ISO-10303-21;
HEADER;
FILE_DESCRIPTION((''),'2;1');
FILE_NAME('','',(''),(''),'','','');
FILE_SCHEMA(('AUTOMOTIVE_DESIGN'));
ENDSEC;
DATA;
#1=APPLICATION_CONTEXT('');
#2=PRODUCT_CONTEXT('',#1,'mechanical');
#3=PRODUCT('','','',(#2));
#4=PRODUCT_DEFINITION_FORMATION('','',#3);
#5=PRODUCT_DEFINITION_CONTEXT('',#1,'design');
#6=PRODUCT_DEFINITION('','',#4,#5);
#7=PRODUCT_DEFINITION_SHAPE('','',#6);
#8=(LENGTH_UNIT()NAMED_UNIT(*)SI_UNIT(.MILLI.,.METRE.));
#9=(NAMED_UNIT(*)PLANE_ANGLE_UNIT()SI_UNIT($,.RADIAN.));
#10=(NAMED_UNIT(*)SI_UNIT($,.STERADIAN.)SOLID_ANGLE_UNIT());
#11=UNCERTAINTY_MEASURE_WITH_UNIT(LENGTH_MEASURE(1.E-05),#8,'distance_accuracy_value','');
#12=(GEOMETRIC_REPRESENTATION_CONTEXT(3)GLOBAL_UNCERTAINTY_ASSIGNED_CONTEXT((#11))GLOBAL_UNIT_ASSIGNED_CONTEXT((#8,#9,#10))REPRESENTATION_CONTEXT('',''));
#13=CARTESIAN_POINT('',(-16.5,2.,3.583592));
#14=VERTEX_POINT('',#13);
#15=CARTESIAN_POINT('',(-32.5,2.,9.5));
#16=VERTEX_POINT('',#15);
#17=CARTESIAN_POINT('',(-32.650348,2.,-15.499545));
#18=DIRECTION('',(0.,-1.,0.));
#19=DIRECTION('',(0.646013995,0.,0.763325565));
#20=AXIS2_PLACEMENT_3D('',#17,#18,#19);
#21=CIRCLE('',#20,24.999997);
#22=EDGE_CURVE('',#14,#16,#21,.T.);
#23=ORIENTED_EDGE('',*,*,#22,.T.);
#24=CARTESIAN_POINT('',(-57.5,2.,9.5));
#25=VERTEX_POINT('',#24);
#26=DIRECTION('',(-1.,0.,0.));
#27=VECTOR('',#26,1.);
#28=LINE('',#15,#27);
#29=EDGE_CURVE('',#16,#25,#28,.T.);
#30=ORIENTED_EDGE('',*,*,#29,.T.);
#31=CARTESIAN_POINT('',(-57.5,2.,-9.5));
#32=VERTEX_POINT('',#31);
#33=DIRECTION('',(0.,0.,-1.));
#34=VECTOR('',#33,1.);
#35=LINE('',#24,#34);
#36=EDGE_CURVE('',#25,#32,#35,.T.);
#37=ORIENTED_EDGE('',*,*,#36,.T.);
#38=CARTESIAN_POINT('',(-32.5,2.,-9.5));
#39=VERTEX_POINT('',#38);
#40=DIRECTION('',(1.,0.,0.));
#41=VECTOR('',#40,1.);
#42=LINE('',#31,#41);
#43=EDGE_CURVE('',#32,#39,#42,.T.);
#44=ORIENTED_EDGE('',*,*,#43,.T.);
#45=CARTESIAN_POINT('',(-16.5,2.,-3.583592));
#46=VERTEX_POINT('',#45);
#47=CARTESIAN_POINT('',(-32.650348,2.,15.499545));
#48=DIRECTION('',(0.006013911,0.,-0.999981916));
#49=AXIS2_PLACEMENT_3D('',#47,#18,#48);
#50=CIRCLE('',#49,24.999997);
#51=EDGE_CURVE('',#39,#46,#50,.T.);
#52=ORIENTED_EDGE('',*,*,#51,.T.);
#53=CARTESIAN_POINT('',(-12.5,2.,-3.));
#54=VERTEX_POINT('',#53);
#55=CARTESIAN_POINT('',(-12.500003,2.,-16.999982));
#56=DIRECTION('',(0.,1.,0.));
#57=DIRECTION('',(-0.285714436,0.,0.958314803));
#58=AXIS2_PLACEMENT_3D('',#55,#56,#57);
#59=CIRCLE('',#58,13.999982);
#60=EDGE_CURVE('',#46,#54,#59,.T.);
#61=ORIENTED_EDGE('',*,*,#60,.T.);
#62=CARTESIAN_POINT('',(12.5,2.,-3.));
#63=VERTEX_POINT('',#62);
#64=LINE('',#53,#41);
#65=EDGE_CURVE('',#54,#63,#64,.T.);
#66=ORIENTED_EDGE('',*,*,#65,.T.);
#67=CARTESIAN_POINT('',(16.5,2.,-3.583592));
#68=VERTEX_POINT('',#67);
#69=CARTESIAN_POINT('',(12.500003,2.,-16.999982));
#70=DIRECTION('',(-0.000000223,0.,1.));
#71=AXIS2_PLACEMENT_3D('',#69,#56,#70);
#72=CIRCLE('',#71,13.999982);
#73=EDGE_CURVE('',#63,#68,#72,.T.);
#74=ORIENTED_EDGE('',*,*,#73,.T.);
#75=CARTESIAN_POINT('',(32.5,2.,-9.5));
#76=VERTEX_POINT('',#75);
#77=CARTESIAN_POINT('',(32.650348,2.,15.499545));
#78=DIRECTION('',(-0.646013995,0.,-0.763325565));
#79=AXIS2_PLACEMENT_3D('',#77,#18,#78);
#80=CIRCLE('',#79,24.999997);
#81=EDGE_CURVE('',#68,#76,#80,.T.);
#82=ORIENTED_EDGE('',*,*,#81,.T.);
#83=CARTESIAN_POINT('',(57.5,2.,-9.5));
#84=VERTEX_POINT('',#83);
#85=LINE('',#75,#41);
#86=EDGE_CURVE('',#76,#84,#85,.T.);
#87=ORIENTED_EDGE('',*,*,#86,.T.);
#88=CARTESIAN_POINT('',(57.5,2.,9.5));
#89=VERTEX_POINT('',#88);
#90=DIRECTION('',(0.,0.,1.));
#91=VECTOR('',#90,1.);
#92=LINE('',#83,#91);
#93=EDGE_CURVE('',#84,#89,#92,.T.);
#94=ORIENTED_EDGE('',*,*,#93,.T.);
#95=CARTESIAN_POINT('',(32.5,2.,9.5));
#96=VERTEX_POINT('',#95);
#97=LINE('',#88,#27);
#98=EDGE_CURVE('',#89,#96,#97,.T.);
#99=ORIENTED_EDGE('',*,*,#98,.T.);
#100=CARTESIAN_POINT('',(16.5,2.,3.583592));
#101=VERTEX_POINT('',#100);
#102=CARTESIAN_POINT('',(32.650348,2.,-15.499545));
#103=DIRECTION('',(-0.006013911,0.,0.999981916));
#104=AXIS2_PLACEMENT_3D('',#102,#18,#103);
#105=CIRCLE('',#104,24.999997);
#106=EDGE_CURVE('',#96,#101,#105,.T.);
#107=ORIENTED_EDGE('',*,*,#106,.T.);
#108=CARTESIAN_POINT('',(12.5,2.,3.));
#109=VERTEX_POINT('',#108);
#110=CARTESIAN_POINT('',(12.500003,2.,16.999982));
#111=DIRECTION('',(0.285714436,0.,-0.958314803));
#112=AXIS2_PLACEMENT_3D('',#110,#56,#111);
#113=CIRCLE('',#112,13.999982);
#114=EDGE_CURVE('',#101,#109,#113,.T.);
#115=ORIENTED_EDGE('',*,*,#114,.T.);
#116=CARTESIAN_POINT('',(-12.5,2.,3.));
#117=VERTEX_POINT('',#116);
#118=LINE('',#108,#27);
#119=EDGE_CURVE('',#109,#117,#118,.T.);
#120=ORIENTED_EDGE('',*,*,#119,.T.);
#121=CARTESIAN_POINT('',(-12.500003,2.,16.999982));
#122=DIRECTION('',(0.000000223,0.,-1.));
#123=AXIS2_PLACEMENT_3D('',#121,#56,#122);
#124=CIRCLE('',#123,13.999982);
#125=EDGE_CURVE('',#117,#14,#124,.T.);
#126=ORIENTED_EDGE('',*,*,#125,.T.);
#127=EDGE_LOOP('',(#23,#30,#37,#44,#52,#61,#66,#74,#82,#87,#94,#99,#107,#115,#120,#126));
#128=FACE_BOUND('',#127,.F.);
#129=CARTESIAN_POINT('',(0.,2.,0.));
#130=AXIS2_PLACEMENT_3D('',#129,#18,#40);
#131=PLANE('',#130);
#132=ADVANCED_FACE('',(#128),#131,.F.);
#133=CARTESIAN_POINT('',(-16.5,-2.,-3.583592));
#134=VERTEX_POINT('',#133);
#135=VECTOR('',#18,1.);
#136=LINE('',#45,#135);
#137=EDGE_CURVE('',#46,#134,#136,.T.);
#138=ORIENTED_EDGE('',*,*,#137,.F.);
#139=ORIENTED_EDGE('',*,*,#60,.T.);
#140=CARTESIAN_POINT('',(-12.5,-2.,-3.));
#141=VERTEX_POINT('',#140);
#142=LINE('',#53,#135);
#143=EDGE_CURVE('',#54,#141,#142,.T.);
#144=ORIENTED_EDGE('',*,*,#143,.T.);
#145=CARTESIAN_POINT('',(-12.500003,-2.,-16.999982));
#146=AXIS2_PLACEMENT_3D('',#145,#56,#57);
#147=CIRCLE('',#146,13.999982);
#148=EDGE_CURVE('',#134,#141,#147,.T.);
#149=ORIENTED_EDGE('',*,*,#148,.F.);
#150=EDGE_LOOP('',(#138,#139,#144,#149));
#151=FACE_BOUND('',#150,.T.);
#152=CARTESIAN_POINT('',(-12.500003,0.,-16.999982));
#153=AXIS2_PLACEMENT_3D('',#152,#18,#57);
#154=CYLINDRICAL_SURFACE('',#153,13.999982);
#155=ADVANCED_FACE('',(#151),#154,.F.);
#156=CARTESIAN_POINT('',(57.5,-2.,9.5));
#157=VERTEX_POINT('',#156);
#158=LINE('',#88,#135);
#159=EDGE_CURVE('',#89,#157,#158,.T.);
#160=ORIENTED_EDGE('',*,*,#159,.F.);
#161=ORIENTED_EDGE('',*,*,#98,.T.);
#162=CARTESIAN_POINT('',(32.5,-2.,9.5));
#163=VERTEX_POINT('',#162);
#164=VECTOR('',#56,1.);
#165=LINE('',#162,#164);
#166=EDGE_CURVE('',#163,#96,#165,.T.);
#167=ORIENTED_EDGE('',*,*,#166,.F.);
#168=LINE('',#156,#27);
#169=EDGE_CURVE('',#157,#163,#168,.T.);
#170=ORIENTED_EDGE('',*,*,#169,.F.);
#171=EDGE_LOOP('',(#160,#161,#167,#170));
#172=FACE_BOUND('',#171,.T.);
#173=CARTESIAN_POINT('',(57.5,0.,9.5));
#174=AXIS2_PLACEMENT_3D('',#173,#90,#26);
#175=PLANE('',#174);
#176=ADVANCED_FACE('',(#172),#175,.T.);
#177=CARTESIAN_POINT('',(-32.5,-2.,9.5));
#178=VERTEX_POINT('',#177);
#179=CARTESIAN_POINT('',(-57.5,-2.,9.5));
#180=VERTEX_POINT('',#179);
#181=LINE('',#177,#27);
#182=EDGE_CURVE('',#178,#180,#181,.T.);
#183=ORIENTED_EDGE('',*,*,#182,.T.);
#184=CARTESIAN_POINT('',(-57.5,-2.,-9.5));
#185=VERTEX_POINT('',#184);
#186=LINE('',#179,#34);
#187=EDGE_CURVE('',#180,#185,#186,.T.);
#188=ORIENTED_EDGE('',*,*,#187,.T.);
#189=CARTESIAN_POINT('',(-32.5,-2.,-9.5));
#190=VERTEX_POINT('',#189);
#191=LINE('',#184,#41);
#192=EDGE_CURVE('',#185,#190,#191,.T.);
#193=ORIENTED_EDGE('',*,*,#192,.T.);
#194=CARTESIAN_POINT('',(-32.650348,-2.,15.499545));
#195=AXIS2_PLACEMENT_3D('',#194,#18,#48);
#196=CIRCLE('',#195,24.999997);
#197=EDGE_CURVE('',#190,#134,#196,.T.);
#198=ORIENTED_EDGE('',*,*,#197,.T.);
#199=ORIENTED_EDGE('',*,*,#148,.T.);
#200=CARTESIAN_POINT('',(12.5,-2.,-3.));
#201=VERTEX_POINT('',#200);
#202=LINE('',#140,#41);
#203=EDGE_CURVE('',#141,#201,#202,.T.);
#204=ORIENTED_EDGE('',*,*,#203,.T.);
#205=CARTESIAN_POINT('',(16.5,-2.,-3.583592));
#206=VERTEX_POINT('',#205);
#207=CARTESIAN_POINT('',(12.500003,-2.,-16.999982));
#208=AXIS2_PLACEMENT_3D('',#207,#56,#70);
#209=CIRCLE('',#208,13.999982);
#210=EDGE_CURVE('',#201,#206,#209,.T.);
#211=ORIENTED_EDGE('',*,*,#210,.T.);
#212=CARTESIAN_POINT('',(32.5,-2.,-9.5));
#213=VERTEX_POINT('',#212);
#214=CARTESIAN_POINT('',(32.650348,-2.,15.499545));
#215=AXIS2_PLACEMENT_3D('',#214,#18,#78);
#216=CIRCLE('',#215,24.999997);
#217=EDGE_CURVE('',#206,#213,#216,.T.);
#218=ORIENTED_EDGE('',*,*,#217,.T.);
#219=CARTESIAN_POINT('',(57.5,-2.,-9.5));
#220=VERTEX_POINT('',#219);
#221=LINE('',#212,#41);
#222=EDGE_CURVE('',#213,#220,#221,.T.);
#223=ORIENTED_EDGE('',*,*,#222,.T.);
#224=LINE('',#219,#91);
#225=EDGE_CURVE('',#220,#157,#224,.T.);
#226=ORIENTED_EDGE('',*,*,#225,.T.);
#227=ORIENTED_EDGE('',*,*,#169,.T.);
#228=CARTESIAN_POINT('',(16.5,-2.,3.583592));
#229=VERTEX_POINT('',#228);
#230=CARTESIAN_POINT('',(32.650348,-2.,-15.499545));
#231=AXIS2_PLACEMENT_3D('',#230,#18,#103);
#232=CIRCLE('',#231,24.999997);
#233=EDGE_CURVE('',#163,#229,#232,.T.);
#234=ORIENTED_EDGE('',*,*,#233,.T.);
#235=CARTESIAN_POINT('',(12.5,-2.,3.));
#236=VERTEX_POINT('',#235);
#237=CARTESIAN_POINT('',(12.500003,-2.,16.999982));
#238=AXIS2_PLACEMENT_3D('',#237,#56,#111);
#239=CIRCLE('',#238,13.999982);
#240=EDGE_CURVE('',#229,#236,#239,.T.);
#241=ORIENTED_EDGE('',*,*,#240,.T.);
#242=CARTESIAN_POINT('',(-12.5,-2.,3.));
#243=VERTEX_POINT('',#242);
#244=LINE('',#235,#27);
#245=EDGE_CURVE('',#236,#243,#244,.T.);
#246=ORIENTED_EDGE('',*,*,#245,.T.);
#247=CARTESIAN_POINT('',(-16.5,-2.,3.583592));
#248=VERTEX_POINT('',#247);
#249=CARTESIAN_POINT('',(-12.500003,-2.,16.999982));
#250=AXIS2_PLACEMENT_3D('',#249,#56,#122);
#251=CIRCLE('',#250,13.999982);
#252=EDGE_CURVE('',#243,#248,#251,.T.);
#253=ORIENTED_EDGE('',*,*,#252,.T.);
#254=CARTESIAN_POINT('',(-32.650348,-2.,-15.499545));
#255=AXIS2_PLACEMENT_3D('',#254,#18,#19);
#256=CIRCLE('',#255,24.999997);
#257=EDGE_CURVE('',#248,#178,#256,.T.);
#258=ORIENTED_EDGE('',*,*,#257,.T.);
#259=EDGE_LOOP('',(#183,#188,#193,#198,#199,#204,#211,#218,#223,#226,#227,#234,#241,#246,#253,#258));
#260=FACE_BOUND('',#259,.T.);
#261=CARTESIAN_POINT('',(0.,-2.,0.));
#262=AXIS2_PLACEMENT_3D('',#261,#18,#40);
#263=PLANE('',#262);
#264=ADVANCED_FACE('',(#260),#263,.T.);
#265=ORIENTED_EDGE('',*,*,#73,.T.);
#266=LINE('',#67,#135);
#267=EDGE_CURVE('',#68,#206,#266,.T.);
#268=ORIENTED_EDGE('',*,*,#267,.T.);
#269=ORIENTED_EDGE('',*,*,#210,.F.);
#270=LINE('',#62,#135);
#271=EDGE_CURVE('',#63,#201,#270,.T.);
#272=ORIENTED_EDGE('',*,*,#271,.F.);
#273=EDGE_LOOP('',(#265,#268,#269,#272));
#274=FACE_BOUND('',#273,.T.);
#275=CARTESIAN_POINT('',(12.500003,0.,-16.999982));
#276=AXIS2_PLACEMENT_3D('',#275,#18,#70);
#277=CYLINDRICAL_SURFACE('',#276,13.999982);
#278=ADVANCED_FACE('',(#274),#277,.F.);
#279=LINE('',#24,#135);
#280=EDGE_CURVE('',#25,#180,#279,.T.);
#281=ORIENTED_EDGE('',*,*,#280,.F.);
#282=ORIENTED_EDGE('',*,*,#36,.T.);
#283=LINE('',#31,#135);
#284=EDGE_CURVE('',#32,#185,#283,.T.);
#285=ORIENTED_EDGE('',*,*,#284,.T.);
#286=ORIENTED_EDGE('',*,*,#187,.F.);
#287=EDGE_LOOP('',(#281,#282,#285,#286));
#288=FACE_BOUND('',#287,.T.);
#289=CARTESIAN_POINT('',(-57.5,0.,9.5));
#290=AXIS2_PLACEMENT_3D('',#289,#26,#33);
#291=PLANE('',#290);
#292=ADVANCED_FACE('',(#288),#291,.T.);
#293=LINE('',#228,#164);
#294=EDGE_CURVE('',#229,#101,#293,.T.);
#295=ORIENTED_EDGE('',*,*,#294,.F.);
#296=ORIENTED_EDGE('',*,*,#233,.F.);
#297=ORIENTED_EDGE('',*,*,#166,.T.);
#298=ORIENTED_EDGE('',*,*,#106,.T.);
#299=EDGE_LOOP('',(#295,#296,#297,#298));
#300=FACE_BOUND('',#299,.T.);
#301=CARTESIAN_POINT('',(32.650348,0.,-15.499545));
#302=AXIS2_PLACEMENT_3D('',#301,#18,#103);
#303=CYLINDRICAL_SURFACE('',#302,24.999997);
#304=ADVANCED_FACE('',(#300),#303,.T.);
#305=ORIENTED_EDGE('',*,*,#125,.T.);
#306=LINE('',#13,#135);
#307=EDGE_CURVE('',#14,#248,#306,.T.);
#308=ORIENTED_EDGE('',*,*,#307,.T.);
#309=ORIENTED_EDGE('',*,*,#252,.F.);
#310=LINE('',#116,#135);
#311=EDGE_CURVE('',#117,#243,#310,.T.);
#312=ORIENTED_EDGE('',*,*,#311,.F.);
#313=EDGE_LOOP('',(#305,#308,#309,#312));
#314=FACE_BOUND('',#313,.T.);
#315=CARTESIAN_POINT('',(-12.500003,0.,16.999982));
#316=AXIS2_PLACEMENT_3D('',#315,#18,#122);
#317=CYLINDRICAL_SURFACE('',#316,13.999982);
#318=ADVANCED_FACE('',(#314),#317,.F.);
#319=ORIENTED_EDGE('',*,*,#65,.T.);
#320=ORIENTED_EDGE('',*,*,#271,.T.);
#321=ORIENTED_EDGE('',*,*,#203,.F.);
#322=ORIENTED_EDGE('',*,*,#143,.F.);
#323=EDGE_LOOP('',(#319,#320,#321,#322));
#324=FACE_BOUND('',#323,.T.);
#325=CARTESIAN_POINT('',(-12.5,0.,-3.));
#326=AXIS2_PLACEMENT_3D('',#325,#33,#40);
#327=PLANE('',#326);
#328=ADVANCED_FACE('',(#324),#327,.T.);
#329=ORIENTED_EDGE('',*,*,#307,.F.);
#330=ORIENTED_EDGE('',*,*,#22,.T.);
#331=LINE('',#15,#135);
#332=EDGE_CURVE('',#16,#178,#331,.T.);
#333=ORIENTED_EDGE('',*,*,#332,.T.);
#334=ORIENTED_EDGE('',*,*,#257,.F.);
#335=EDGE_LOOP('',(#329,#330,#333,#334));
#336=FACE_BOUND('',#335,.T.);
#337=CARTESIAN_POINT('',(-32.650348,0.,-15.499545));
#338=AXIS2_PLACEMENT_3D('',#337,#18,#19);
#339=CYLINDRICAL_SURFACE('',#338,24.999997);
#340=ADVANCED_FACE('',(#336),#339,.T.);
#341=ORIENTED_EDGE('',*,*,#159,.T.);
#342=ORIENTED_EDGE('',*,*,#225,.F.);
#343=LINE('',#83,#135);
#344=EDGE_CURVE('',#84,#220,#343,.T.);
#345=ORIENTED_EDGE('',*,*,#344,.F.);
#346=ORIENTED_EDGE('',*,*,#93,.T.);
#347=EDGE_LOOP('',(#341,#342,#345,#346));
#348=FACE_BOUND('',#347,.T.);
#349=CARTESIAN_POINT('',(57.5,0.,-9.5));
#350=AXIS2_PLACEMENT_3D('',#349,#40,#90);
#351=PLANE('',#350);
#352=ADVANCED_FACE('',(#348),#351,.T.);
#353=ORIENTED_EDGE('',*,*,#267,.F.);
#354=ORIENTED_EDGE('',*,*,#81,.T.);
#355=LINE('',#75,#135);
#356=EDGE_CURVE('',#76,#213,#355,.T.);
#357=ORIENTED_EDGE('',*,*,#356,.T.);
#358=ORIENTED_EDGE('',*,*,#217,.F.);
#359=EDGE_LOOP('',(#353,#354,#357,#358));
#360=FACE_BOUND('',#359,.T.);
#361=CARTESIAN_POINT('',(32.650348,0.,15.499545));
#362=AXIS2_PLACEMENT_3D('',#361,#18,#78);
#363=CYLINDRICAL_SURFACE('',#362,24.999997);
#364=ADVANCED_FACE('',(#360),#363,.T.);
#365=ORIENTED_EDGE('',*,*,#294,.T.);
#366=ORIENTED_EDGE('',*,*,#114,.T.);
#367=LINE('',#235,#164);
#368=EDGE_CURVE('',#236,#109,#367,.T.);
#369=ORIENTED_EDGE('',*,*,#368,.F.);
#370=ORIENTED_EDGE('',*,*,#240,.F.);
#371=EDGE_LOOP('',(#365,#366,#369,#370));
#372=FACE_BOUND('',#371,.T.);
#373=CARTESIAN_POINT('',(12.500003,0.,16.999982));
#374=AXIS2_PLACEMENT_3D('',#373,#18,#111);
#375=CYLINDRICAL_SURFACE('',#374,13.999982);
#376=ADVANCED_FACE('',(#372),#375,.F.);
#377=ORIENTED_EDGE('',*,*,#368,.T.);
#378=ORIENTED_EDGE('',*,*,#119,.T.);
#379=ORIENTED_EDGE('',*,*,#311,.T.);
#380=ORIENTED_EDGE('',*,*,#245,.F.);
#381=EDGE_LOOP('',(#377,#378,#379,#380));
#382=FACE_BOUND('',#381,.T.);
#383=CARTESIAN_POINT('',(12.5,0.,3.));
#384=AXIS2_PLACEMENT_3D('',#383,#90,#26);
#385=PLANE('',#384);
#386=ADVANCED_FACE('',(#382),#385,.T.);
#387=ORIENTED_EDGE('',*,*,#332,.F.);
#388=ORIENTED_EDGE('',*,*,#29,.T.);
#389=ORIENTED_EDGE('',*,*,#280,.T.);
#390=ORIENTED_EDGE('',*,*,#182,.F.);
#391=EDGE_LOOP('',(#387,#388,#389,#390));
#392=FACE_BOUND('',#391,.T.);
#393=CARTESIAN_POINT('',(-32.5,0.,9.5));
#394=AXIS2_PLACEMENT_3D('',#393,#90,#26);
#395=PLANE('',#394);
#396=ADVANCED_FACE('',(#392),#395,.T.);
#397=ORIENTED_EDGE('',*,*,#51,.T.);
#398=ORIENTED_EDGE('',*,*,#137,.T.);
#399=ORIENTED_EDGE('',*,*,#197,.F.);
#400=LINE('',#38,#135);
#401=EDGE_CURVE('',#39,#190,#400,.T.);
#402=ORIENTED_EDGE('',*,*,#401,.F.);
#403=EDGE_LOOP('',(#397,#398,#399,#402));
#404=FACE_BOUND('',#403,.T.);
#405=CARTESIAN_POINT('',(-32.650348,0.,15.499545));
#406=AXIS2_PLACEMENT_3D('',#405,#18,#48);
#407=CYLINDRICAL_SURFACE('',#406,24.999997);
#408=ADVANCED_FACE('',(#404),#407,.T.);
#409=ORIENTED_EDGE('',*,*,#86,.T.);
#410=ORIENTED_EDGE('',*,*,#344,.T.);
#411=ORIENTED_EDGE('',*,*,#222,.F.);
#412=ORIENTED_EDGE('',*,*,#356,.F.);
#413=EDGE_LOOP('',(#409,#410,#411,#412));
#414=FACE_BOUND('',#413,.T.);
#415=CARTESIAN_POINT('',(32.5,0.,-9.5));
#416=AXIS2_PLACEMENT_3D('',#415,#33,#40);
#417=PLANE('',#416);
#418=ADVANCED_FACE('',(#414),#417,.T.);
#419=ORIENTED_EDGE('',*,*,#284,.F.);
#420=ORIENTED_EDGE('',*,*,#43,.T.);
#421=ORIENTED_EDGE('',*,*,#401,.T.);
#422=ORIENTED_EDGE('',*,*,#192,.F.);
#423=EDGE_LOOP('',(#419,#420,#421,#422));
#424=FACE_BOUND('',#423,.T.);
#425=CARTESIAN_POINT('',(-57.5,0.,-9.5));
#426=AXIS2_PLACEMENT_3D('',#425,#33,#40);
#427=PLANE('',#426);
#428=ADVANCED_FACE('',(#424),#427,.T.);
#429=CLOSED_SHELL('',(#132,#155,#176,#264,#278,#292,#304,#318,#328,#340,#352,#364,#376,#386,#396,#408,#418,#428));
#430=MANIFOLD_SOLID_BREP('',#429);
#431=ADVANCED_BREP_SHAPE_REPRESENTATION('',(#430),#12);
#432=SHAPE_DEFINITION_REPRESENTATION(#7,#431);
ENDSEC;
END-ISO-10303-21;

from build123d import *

# Parameters (mm, degrees)
F1_DEPTH = 2


with BuildPart() as f1:
    # F0 (on Front) → F1 (new body, symmetric)
    with BuildSketch(Plane.XZ):
        with BuildLine():
            Line((12.5, 3), (0, 3))
            Line((0, 3), (-12.5, 3))
            ThreePointArc((-12.5, 3), (-14.521174, 3.146666), (-16.5, 3.583592))
            ThreePointArc((-16.5, 3.583592), (-23.979757, 7.948711), (-32.5, 9.5))
            Line((-32.5, 9.5), (-57.5, 9.5))
            Line((-57.5, 9.5), (-57.5, -9.5))
            Line((-57.5, -9.5), (-32.5, -9.5))
            ThreePointArc((-32.5, -9.5), (-23.979757, -7.948711), (-16.5, -3.583592))
            ThreePointArc((-16.5, -3.583592), (-14.521174, -3.146666), (-12.5, -3))
            Line((-12.5, -3), (0, -3))
            Line((0, -3), (12.5, -3))
            ThreePointArc((12.5, -3), (14.521174, -3.146666), (16.5, -3.583592))
            ThreePointArc((16.5, -3.583592), (23.979757, -7.948711), (32.5, -9.5))
            Line((32.5, -9.5), (57.5, -9.5))
            Line((57.5, -9.5), (57.5, 9.5))
            Line((57.5, 9.5), (32.5, 9.5))
            ThreePointArc((32.5, 9.5), (23.979757, 7.948711), (16.5, 3.583592))
            ThreePointArc((16.5, 3.583592), (14.521174, 3.146666), (12.5, 3))
        make_face()
    extrude(amount=F1_DEPTH, both=True)


solid = f1.part
